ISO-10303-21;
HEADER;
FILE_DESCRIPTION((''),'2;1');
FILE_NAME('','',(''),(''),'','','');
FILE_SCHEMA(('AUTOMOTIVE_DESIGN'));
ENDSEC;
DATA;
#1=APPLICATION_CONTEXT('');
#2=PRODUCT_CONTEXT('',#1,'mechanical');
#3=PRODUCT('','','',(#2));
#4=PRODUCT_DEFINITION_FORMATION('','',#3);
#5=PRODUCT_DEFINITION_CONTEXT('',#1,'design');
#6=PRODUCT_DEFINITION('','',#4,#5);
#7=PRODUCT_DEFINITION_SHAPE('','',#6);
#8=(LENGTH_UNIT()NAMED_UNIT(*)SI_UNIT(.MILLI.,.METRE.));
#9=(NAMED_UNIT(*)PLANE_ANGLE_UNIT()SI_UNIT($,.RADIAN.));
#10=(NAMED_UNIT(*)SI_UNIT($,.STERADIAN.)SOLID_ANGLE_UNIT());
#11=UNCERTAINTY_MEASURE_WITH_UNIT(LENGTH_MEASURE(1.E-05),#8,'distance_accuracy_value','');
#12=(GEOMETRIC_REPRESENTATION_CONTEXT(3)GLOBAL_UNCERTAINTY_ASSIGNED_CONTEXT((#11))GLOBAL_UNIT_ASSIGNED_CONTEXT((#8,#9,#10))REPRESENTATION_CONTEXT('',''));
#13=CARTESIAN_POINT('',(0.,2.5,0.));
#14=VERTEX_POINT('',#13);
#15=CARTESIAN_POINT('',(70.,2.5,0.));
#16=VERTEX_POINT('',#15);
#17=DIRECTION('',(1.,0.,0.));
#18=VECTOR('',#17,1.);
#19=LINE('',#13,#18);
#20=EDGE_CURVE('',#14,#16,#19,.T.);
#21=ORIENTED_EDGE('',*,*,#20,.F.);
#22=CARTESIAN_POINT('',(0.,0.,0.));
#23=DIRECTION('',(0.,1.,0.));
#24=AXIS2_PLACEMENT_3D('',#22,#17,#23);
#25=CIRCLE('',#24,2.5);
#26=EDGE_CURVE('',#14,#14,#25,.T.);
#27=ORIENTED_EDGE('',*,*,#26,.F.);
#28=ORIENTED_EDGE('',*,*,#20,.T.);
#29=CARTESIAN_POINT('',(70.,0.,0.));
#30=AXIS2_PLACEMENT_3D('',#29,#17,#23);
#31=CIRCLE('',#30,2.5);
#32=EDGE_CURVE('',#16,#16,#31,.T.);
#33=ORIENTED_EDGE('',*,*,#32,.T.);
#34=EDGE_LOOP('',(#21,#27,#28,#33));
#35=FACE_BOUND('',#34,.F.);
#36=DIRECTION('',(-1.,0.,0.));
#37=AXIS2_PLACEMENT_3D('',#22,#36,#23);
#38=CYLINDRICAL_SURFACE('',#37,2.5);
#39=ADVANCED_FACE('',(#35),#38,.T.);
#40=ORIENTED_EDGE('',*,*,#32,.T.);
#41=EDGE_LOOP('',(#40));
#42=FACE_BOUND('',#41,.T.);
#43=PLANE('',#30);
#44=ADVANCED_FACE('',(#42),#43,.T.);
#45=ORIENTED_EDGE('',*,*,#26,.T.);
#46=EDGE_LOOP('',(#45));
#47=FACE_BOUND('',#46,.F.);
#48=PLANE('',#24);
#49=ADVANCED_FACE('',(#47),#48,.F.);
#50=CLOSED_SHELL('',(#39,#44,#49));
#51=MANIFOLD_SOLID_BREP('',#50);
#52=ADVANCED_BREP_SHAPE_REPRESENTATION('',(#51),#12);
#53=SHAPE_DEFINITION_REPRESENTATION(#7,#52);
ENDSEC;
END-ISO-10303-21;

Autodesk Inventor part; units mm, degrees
ref_plane "YZ Plane" through (0, 0, 0) normal (1, 0, 0) x (0, 1, 0)
ref_plane "XZ Plane" through (0, 0, 0) normal (0, 1, 0) x (-1, 0, 0)
ref_plane "XY Plane" through (0, 0, 0) normal (0, 0, 1) x (1, 0, 0)
sketch "Sketch1" plane through (0, 0, 0) normal (1, 0, 0) x (0, 1, 0)
  circle A0 centre (0, 0) radius 2.5
  dimension "d0" = 5
extrude "Extrusion1" add sketch "Sketch1" along normal blind 70
properties part number "threadedtubeshort"
